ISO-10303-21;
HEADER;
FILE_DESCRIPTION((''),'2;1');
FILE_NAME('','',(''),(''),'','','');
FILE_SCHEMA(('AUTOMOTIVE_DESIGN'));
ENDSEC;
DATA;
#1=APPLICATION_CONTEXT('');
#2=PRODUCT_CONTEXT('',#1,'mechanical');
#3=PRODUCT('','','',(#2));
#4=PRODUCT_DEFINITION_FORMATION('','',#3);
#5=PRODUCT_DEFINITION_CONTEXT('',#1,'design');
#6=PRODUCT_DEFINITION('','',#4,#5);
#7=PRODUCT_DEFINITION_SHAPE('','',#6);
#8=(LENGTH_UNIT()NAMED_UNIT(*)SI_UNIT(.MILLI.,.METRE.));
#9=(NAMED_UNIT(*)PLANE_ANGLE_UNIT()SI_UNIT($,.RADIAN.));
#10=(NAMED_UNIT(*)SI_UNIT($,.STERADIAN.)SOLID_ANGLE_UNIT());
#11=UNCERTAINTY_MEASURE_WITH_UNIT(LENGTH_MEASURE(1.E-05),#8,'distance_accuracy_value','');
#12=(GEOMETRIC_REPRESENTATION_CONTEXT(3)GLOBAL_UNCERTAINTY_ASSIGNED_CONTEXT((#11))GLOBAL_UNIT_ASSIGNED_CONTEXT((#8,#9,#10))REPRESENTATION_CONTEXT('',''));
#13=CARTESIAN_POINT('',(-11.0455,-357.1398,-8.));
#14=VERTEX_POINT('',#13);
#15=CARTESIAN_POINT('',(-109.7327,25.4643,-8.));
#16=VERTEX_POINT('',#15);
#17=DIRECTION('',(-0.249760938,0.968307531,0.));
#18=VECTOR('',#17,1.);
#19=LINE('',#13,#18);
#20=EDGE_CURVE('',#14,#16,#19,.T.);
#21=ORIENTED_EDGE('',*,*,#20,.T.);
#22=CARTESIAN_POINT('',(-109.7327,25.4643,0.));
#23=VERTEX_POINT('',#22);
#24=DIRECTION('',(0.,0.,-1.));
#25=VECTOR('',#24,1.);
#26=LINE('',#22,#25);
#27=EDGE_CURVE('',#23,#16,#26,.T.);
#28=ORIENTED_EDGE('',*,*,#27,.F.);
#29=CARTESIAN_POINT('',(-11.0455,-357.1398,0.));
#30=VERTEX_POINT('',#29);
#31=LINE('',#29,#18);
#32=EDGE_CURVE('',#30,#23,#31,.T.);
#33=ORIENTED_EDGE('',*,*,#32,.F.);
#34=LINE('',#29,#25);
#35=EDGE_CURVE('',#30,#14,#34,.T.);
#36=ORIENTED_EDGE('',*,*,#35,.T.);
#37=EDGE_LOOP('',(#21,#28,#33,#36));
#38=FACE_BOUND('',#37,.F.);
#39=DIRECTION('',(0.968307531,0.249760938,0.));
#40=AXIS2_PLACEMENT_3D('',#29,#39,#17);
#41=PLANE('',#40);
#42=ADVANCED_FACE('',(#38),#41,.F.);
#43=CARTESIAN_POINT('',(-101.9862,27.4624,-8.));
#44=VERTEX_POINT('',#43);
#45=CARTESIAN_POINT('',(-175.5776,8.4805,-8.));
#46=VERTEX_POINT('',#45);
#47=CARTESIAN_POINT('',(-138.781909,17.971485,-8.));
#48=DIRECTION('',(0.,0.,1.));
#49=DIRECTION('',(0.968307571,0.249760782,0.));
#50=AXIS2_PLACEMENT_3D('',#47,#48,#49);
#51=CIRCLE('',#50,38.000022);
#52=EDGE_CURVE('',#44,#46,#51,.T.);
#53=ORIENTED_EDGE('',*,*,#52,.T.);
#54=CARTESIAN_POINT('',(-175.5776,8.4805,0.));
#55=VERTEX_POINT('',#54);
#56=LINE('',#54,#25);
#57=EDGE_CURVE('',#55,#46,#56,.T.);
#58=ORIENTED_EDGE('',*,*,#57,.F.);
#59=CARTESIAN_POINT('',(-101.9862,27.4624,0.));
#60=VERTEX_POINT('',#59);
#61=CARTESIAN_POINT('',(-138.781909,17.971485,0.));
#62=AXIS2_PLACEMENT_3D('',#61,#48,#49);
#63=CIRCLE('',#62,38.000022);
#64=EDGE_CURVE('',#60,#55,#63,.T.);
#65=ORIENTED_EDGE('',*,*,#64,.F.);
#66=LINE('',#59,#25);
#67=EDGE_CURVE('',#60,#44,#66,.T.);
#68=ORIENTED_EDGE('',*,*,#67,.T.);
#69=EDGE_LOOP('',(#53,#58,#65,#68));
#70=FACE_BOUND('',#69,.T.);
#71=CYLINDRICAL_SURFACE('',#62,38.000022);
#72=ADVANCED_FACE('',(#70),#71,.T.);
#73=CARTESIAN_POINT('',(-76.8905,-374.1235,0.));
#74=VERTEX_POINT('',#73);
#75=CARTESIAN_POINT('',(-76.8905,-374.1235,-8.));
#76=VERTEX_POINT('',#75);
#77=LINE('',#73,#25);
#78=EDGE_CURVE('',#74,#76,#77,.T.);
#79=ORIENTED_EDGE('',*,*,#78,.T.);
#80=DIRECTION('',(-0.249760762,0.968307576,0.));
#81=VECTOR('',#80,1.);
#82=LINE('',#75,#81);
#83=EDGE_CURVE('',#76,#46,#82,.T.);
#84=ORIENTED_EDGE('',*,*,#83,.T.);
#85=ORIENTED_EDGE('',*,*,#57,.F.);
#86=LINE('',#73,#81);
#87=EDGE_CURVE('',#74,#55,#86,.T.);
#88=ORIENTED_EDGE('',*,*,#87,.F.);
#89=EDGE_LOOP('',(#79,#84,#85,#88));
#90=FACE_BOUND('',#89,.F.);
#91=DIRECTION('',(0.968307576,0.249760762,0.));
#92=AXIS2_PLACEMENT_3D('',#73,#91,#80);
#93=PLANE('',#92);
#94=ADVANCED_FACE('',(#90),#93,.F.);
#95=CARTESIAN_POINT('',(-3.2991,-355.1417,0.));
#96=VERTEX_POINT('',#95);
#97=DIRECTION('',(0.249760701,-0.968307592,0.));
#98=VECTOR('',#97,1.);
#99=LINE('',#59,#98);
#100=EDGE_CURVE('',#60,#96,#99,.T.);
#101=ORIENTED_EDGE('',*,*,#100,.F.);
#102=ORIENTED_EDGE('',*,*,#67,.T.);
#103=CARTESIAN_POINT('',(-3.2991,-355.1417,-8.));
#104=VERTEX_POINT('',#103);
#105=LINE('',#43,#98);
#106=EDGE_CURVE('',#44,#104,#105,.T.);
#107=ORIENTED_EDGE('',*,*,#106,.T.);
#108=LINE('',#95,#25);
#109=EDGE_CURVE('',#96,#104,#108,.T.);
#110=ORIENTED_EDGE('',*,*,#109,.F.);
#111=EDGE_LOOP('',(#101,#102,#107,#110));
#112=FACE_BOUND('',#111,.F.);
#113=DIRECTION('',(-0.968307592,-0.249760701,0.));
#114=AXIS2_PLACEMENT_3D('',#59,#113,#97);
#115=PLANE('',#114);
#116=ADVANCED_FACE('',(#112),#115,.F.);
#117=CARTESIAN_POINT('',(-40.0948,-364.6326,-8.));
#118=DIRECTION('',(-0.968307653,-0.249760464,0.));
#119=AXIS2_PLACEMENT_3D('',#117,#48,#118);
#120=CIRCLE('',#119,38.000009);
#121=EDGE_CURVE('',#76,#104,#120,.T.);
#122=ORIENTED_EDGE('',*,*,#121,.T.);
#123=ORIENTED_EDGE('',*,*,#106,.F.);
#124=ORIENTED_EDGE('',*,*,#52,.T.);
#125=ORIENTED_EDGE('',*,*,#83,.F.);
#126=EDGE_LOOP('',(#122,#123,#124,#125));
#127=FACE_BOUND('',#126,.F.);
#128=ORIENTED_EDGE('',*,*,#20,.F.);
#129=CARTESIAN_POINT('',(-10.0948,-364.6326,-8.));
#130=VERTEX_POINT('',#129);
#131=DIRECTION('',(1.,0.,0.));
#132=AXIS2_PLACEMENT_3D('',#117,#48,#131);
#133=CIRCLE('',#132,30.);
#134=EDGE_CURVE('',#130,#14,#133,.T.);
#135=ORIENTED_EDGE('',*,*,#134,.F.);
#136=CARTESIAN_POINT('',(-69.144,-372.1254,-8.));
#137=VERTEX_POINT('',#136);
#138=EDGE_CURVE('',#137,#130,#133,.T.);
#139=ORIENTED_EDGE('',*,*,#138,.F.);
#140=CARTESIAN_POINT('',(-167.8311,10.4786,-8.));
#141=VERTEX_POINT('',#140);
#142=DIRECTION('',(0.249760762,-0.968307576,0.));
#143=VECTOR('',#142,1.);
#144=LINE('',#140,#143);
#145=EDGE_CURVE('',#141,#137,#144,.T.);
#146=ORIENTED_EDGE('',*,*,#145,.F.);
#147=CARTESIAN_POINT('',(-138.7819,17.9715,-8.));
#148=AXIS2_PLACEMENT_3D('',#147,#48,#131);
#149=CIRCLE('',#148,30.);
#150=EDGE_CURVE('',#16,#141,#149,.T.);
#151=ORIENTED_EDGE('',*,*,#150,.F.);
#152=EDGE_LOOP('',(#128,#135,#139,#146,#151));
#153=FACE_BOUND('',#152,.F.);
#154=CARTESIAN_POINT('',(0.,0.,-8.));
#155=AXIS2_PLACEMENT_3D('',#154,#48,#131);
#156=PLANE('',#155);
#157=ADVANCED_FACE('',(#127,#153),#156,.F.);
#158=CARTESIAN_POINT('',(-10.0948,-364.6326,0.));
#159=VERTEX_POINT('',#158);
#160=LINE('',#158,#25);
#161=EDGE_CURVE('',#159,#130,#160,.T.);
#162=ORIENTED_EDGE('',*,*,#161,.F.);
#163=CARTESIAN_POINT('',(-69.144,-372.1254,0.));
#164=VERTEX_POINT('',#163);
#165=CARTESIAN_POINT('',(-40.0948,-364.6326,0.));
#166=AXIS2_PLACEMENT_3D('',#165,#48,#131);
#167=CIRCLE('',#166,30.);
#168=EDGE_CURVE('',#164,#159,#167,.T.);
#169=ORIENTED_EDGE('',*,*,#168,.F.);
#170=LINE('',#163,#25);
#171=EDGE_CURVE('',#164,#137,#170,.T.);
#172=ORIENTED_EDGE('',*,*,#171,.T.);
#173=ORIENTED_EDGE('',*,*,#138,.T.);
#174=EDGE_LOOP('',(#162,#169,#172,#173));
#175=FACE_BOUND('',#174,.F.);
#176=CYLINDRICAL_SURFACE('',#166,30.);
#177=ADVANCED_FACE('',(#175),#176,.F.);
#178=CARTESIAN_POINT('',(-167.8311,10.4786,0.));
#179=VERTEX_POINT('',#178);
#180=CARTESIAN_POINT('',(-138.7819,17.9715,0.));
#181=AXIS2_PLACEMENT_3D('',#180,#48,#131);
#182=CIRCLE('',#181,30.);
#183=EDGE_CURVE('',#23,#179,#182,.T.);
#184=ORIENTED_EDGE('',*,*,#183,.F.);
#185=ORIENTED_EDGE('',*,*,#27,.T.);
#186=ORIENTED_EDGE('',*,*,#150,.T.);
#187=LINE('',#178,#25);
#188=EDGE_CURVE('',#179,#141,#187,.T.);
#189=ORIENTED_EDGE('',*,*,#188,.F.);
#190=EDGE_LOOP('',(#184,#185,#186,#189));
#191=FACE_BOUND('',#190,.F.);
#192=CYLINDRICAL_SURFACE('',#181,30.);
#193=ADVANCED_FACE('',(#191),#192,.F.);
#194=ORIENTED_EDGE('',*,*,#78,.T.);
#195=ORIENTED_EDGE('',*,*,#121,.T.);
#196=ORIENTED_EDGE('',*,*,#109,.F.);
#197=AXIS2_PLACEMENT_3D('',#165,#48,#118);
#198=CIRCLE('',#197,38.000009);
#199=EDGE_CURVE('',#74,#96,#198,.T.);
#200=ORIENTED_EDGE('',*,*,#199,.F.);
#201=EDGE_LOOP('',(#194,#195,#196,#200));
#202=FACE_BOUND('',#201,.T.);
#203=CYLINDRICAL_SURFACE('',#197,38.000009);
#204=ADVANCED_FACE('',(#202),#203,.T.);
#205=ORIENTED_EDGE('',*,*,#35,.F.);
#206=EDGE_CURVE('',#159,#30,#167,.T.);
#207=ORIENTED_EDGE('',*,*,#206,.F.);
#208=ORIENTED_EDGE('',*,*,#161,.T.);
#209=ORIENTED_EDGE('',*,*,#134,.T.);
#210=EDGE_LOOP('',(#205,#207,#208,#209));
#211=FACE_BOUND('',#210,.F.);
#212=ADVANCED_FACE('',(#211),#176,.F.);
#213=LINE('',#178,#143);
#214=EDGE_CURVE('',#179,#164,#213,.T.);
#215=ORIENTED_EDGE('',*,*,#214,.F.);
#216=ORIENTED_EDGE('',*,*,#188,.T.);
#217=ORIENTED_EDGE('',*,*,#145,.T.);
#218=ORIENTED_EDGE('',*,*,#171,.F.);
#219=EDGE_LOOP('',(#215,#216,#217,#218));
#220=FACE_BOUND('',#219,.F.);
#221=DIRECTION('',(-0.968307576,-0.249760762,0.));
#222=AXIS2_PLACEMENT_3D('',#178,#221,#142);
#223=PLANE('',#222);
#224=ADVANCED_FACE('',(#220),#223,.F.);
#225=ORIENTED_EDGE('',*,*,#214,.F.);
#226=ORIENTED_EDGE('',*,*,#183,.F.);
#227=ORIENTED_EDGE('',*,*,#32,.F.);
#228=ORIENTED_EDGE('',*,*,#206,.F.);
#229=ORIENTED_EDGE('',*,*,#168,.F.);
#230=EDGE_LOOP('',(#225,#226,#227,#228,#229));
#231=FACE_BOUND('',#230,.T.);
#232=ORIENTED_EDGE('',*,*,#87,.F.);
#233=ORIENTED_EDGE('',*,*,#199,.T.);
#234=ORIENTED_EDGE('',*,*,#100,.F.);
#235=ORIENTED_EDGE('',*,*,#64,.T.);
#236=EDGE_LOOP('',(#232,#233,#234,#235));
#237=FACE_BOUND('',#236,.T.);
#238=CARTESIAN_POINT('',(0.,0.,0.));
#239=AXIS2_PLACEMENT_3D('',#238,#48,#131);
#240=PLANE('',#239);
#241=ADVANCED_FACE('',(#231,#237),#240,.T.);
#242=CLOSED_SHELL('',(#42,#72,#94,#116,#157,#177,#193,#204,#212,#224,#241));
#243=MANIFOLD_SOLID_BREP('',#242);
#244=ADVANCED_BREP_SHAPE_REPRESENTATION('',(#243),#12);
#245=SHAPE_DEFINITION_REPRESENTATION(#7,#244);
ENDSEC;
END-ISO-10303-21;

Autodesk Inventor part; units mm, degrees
ref_plane "YZ Plane" through (0, 0, 0) normal (1, 0, 0) x (0, 1, 0)
ref_plane "XZ Plane" through (0, 0, 0) normal (0, 1, 0) x (-1, 0, 0)
ref_plane "XY Plane" through (0, 0, 0) normal (0, 0, 1) x (1, 0, 0)
sketch "Sketch1" plane through (0, 0, 0) normal (0, 0, 1) x (1, 0, 0)
  circle A0 centre (-138.7819, 17.9715) radius 30 projected
  circle A1 centre (-40.0948, -364.6326) radius 10 projected
  circle A2 centre (-40.0948, -364.6326) radius 30 projected
  line L0 (-76.8905, -374.1235) -> (-175.5776, 8.4805)
  arc A3 (-101.9862, 27.4624) -> (-175.5776, 8.4805) centre (-138.7819, 17.9715) ccw
  line L1 (-101.9862, 27.4624) -> (-3.2991, -355.1417)
  arc A4 (-76.8905, -374.1235) -> (-3.2991, -355.1417) centre (-40.0948, -364.6326) ccw
  line L2 (-11.0455, -357.1398) -> (-109.7327, 25.4643)
  arc A5 (-109.7327, 25.4643) -> (-167.8311, 10.4786) centre (-138.7819, 17.9715) ccw
  line L3 (-167.8311, 10.4786) -> (-69.144, -372.1254)
  arc A6 (-69.144, -372.1254) -> (-11.0455, -357.1398) centre (-40.0948, -364.6326) ccw
  point P0 (0, 0)
  dimension "d0" = 8
extrude "Extrusion1" add sketch "Sketch1" against normal blind 8 contours L0 A3 L1 A4
properties part number "ketting2"
